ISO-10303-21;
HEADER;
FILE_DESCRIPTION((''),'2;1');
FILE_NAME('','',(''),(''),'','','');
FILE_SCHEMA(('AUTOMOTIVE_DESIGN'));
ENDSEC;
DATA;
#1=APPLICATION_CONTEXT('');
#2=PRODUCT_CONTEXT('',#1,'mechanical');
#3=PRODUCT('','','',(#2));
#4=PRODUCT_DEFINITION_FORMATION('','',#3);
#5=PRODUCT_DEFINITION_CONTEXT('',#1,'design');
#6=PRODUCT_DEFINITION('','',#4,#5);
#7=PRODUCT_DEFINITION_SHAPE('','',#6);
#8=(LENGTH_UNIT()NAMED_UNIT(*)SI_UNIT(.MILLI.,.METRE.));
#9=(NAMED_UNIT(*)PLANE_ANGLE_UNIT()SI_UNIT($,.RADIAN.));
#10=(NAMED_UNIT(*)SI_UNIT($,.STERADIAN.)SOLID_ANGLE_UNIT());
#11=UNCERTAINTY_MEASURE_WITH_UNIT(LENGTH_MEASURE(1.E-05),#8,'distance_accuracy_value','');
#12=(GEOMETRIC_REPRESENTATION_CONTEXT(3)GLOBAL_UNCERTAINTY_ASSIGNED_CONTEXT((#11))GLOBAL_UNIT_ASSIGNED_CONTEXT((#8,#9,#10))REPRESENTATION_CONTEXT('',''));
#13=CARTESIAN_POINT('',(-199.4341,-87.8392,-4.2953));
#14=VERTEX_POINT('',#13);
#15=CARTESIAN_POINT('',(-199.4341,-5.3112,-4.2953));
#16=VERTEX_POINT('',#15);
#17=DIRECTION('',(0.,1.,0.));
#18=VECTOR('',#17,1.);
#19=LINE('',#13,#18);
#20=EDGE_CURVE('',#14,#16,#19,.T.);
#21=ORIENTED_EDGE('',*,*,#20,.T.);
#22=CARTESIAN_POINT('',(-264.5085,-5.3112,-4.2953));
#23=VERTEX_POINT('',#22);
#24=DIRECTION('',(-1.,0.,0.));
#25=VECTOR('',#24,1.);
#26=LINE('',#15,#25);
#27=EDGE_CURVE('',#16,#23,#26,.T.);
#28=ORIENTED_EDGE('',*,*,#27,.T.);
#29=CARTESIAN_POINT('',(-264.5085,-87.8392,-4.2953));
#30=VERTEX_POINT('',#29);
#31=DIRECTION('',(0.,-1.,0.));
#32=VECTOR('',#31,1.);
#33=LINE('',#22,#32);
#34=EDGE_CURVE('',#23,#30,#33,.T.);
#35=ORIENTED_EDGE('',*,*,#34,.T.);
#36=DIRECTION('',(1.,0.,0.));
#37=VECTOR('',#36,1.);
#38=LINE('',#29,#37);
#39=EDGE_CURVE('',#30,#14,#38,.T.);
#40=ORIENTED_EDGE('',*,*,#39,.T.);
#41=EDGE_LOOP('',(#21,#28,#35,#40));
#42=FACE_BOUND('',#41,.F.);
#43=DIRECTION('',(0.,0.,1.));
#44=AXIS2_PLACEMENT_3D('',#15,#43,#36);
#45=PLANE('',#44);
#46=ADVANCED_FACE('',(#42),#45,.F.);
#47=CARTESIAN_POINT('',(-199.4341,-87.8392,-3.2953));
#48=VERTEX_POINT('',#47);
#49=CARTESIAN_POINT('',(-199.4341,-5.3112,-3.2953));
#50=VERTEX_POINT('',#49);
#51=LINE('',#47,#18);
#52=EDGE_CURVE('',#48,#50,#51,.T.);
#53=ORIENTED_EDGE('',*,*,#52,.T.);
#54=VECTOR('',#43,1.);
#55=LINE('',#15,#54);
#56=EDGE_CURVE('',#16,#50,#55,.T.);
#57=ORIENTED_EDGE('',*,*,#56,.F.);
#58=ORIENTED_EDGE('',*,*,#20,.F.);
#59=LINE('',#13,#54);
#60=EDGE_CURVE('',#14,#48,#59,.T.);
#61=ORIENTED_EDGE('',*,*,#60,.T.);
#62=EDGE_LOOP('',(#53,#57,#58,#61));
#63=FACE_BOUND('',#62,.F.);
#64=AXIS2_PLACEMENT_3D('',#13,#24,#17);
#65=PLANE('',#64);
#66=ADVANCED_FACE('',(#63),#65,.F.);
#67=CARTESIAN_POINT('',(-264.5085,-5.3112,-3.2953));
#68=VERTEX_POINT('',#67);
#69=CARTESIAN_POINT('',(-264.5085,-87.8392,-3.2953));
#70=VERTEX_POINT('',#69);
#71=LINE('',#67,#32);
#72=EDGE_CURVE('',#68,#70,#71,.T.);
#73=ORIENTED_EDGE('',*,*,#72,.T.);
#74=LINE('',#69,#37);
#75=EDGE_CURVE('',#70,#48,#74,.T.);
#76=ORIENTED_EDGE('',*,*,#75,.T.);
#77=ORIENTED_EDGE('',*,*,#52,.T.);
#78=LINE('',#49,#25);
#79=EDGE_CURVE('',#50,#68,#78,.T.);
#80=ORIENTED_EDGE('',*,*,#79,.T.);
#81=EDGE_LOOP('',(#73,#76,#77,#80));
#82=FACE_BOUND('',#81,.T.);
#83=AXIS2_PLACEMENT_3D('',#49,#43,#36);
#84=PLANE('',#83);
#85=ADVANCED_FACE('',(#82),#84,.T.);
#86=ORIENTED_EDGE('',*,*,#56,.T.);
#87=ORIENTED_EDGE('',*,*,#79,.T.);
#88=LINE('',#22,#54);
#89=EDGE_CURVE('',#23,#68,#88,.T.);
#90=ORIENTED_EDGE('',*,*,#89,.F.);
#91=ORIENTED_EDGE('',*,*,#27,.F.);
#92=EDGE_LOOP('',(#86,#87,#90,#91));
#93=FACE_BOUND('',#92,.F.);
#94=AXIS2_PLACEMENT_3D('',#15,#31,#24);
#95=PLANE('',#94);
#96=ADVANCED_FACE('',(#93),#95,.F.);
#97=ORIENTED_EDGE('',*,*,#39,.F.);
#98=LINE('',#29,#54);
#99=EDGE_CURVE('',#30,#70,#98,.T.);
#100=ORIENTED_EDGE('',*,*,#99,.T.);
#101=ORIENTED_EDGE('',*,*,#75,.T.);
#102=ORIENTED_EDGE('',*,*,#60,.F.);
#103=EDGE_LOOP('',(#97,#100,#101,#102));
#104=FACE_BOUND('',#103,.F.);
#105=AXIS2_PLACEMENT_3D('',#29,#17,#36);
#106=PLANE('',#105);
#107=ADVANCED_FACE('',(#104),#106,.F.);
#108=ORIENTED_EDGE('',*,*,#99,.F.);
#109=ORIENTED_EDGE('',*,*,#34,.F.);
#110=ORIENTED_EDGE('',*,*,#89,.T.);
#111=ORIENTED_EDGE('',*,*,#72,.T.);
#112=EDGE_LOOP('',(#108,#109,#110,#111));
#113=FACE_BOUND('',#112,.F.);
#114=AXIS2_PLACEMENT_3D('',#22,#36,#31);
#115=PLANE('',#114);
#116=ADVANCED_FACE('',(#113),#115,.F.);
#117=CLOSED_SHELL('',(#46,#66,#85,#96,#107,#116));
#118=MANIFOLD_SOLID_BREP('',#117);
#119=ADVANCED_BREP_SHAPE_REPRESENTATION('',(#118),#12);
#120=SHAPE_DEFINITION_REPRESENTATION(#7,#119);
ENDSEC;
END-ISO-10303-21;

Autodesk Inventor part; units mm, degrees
ref_plane "YZ Plane" through (0, 0, 0) normal (1, 0, 0) x (0, 1, 0)
ref_plane "XZ Plane" through (0, 0, 0) normal (0, 1, 0) x (-1, 0, 0)
ref_plane "XY Plane" through (0, 0, 0) normal (0, 0, 1) x (1, 0, 0)
sketch "Sketch1" plane through (-201.5873, -5.3112, -24.2953) normal (-1, 0, 0) x (0, -1, 0)
  point P0 (-5.3112, 24.2953)
sketch "Sketch2" plane through (-199.4341, -5.3112, -4.2953) normal (0, 0, 1) x (1, 0, 0)
  line L0 (0, 0) -> (-65.0744, 0)
  line L1 (-65.0744, 0) -> (-65.0744, -82.528)
  line L2 (-65.0744, -82.528) -> (0, -82.528)
  line L3 (0, -82.528) -> (0, 0)
  point P0 (199.4341, 5.3112)
extrude "Extrusion1" add sketch "Sketch2" along normal blind 1
properties part number "rack and pinion"
